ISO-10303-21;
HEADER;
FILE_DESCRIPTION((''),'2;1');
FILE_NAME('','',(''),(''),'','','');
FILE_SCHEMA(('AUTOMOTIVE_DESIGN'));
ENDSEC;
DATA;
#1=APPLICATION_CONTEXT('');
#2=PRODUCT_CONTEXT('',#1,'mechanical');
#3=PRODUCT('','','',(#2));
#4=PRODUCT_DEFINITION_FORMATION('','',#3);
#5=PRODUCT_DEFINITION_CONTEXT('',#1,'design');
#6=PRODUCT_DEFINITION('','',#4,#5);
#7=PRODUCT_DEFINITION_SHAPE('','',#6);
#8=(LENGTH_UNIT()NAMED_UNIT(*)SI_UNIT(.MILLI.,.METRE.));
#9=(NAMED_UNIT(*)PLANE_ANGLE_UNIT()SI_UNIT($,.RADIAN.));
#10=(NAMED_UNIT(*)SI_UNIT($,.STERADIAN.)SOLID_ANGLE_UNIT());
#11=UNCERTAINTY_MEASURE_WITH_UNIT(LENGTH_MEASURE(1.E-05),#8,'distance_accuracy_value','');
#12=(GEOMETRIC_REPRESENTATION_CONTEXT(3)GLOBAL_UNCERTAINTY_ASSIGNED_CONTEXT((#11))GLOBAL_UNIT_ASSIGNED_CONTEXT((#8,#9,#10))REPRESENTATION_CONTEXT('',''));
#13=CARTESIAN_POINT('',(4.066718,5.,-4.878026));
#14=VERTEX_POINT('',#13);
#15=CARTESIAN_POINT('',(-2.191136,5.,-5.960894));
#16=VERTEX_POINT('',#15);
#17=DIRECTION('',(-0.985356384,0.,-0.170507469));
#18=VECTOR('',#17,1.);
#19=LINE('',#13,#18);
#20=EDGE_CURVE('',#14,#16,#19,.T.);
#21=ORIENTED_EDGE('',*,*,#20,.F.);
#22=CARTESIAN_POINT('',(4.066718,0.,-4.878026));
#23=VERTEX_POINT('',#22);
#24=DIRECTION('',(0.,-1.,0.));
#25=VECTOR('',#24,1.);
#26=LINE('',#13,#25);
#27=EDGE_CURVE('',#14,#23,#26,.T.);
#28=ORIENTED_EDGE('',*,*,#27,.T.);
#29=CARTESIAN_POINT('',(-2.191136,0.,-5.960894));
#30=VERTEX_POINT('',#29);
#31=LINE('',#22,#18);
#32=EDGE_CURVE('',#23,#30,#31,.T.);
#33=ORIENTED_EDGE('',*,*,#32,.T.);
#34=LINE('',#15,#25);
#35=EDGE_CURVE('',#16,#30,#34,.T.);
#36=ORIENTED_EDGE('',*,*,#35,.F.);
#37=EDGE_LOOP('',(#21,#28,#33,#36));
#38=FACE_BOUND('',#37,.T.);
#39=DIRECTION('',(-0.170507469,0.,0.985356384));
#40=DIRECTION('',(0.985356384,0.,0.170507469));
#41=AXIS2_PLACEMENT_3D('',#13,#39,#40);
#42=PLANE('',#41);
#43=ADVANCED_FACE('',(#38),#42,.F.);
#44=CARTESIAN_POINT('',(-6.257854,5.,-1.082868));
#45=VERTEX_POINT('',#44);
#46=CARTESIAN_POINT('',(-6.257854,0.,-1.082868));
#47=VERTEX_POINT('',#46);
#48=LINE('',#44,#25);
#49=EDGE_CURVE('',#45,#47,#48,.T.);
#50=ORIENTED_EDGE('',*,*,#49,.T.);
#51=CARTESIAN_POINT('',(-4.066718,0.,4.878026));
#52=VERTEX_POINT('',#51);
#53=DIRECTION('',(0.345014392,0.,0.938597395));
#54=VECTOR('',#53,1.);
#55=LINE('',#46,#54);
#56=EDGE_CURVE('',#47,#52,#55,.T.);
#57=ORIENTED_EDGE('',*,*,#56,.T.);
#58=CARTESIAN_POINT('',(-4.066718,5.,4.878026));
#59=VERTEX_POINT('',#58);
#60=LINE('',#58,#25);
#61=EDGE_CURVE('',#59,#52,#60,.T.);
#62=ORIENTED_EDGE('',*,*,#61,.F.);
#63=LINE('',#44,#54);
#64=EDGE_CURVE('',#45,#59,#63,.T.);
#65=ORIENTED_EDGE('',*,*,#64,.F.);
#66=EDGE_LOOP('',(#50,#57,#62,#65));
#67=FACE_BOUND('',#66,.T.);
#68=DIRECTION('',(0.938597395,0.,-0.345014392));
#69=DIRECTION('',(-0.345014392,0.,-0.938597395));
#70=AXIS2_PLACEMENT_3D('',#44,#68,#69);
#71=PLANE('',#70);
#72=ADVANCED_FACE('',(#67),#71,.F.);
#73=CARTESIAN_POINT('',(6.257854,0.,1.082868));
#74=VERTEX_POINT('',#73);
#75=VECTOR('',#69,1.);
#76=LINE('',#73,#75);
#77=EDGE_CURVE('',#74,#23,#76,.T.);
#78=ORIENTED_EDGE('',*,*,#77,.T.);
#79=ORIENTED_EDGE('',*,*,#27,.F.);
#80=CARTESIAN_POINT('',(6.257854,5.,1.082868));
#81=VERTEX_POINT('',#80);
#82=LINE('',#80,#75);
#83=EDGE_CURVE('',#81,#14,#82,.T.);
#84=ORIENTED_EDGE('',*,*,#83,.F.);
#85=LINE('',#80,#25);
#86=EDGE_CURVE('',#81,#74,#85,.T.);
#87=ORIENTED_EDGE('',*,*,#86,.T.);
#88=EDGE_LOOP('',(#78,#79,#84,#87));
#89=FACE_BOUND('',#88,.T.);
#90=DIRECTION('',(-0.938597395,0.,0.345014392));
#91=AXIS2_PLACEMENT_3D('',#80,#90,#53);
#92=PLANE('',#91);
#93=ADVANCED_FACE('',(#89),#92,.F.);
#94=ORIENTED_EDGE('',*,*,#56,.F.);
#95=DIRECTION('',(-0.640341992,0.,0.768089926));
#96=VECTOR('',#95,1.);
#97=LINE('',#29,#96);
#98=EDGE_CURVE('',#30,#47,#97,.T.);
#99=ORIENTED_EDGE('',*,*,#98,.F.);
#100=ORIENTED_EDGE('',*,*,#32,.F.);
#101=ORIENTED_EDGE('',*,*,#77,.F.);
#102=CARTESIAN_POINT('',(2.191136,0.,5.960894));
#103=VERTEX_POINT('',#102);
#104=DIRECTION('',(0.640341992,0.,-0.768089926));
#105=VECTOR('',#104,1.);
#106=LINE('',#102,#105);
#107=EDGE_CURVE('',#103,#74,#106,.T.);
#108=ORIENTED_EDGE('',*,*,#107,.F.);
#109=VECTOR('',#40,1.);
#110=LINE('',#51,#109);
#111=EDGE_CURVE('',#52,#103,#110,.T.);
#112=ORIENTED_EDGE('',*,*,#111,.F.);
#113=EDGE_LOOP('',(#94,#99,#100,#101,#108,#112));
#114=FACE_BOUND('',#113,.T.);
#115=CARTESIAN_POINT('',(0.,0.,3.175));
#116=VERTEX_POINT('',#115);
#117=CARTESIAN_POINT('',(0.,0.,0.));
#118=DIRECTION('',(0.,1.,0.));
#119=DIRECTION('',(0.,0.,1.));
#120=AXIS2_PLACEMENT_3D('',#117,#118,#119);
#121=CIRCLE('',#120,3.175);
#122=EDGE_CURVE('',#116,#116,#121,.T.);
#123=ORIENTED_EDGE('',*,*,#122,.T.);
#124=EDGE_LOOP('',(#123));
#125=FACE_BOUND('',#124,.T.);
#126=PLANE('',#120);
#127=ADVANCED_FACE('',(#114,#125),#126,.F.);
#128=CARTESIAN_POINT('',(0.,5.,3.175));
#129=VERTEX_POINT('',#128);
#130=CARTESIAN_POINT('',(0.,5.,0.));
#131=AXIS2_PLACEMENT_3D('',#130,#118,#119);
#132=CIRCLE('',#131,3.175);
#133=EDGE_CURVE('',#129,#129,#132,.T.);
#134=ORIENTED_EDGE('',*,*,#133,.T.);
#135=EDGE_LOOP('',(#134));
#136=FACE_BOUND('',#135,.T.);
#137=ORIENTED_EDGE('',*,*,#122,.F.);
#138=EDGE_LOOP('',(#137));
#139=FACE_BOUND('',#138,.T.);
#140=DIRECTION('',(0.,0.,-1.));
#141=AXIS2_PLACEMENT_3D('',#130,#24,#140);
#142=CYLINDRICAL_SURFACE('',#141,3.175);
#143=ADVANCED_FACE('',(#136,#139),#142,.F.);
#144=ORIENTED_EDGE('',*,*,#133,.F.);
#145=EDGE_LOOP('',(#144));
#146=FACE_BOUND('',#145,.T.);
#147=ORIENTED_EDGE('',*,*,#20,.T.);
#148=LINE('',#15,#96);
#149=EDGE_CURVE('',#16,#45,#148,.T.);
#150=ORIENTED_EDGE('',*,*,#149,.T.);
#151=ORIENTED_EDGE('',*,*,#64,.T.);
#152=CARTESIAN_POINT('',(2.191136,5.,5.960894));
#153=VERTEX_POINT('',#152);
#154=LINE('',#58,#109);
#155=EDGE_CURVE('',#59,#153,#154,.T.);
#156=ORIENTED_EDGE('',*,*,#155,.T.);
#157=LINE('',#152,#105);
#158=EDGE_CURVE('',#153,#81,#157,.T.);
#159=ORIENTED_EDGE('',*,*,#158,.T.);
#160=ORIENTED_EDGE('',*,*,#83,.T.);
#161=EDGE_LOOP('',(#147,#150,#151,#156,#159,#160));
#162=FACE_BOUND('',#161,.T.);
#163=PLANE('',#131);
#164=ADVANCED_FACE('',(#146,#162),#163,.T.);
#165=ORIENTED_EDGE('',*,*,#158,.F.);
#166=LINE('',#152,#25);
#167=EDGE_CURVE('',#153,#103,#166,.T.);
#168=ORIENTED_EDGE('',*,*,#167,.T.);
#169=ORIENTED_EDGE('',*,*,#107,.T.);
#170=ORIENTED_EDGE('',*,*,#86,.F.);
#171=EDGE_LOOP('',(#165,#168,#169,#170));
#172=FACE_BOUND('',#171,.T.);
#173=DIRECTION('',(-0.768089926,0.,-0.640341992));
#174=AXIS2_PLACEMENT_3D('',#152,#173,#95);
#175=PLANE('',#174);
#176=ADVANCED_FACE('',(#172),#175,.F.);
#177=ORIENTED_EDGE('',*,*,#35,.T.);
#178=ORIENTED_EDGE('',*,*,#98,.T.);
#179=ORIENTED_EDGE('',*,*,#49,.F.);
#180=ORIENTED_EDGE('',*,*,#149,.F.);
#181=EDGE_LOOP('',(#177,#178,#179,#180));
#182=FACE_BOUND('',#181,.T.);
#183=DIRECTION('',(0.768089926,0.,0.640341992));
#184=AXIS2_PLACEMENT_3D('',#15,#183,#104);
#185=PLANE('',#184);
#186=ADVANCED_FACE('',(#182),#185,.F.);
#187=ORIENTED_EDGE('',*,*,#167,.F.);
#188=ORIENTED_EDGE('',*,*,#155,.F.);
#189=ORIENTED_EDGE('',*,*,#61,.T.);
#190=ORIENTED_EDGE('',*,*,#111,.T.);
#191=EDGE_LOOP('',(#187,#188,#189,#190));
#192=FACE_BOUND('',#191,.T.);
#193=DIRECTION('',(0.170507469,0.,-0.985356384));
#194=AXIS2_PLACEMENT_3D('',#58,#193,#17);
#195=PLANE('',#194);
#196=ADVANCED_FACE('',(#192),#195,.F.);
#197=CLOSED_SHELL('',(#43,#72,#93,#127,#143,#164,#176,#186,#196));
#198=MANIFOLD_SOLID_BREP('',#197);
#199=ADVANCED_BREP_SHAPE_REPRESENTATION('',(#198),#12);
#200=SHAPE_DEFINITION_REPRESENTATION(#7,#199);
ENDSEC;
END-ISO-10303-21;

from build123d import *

# Parameters (mm, degrees)
SKETCH1_R           = 3.175
BOSS_EXTRUDE1_DEPTH = 5


with BuildPart() as part:
    # Sketch1 → Boss-Extrude1 (new body)
    with BuildSketch(Plane(origin=(0, 0, 0), x_dir=(1, 0, 0), z_dir=(0, 1, 0))):
        Polygon((-6.257853507, 1.082867865), (-4.066717833, -4.878026178), (2.191135674, -5.960894043), (6.257853507, -1.082867865), (4.066717833, 4.878026178), (-2.191135674, 5.960894043), align=None)
        with Locations(Location((0, 0, 0), (0, 0, 270))):
            Circle(SKETCH1_R, mode=Mode.SUBTRACT)
    extrude(amount=BOSS_EXTRUDE1_DEPTH)


solid = part.part
